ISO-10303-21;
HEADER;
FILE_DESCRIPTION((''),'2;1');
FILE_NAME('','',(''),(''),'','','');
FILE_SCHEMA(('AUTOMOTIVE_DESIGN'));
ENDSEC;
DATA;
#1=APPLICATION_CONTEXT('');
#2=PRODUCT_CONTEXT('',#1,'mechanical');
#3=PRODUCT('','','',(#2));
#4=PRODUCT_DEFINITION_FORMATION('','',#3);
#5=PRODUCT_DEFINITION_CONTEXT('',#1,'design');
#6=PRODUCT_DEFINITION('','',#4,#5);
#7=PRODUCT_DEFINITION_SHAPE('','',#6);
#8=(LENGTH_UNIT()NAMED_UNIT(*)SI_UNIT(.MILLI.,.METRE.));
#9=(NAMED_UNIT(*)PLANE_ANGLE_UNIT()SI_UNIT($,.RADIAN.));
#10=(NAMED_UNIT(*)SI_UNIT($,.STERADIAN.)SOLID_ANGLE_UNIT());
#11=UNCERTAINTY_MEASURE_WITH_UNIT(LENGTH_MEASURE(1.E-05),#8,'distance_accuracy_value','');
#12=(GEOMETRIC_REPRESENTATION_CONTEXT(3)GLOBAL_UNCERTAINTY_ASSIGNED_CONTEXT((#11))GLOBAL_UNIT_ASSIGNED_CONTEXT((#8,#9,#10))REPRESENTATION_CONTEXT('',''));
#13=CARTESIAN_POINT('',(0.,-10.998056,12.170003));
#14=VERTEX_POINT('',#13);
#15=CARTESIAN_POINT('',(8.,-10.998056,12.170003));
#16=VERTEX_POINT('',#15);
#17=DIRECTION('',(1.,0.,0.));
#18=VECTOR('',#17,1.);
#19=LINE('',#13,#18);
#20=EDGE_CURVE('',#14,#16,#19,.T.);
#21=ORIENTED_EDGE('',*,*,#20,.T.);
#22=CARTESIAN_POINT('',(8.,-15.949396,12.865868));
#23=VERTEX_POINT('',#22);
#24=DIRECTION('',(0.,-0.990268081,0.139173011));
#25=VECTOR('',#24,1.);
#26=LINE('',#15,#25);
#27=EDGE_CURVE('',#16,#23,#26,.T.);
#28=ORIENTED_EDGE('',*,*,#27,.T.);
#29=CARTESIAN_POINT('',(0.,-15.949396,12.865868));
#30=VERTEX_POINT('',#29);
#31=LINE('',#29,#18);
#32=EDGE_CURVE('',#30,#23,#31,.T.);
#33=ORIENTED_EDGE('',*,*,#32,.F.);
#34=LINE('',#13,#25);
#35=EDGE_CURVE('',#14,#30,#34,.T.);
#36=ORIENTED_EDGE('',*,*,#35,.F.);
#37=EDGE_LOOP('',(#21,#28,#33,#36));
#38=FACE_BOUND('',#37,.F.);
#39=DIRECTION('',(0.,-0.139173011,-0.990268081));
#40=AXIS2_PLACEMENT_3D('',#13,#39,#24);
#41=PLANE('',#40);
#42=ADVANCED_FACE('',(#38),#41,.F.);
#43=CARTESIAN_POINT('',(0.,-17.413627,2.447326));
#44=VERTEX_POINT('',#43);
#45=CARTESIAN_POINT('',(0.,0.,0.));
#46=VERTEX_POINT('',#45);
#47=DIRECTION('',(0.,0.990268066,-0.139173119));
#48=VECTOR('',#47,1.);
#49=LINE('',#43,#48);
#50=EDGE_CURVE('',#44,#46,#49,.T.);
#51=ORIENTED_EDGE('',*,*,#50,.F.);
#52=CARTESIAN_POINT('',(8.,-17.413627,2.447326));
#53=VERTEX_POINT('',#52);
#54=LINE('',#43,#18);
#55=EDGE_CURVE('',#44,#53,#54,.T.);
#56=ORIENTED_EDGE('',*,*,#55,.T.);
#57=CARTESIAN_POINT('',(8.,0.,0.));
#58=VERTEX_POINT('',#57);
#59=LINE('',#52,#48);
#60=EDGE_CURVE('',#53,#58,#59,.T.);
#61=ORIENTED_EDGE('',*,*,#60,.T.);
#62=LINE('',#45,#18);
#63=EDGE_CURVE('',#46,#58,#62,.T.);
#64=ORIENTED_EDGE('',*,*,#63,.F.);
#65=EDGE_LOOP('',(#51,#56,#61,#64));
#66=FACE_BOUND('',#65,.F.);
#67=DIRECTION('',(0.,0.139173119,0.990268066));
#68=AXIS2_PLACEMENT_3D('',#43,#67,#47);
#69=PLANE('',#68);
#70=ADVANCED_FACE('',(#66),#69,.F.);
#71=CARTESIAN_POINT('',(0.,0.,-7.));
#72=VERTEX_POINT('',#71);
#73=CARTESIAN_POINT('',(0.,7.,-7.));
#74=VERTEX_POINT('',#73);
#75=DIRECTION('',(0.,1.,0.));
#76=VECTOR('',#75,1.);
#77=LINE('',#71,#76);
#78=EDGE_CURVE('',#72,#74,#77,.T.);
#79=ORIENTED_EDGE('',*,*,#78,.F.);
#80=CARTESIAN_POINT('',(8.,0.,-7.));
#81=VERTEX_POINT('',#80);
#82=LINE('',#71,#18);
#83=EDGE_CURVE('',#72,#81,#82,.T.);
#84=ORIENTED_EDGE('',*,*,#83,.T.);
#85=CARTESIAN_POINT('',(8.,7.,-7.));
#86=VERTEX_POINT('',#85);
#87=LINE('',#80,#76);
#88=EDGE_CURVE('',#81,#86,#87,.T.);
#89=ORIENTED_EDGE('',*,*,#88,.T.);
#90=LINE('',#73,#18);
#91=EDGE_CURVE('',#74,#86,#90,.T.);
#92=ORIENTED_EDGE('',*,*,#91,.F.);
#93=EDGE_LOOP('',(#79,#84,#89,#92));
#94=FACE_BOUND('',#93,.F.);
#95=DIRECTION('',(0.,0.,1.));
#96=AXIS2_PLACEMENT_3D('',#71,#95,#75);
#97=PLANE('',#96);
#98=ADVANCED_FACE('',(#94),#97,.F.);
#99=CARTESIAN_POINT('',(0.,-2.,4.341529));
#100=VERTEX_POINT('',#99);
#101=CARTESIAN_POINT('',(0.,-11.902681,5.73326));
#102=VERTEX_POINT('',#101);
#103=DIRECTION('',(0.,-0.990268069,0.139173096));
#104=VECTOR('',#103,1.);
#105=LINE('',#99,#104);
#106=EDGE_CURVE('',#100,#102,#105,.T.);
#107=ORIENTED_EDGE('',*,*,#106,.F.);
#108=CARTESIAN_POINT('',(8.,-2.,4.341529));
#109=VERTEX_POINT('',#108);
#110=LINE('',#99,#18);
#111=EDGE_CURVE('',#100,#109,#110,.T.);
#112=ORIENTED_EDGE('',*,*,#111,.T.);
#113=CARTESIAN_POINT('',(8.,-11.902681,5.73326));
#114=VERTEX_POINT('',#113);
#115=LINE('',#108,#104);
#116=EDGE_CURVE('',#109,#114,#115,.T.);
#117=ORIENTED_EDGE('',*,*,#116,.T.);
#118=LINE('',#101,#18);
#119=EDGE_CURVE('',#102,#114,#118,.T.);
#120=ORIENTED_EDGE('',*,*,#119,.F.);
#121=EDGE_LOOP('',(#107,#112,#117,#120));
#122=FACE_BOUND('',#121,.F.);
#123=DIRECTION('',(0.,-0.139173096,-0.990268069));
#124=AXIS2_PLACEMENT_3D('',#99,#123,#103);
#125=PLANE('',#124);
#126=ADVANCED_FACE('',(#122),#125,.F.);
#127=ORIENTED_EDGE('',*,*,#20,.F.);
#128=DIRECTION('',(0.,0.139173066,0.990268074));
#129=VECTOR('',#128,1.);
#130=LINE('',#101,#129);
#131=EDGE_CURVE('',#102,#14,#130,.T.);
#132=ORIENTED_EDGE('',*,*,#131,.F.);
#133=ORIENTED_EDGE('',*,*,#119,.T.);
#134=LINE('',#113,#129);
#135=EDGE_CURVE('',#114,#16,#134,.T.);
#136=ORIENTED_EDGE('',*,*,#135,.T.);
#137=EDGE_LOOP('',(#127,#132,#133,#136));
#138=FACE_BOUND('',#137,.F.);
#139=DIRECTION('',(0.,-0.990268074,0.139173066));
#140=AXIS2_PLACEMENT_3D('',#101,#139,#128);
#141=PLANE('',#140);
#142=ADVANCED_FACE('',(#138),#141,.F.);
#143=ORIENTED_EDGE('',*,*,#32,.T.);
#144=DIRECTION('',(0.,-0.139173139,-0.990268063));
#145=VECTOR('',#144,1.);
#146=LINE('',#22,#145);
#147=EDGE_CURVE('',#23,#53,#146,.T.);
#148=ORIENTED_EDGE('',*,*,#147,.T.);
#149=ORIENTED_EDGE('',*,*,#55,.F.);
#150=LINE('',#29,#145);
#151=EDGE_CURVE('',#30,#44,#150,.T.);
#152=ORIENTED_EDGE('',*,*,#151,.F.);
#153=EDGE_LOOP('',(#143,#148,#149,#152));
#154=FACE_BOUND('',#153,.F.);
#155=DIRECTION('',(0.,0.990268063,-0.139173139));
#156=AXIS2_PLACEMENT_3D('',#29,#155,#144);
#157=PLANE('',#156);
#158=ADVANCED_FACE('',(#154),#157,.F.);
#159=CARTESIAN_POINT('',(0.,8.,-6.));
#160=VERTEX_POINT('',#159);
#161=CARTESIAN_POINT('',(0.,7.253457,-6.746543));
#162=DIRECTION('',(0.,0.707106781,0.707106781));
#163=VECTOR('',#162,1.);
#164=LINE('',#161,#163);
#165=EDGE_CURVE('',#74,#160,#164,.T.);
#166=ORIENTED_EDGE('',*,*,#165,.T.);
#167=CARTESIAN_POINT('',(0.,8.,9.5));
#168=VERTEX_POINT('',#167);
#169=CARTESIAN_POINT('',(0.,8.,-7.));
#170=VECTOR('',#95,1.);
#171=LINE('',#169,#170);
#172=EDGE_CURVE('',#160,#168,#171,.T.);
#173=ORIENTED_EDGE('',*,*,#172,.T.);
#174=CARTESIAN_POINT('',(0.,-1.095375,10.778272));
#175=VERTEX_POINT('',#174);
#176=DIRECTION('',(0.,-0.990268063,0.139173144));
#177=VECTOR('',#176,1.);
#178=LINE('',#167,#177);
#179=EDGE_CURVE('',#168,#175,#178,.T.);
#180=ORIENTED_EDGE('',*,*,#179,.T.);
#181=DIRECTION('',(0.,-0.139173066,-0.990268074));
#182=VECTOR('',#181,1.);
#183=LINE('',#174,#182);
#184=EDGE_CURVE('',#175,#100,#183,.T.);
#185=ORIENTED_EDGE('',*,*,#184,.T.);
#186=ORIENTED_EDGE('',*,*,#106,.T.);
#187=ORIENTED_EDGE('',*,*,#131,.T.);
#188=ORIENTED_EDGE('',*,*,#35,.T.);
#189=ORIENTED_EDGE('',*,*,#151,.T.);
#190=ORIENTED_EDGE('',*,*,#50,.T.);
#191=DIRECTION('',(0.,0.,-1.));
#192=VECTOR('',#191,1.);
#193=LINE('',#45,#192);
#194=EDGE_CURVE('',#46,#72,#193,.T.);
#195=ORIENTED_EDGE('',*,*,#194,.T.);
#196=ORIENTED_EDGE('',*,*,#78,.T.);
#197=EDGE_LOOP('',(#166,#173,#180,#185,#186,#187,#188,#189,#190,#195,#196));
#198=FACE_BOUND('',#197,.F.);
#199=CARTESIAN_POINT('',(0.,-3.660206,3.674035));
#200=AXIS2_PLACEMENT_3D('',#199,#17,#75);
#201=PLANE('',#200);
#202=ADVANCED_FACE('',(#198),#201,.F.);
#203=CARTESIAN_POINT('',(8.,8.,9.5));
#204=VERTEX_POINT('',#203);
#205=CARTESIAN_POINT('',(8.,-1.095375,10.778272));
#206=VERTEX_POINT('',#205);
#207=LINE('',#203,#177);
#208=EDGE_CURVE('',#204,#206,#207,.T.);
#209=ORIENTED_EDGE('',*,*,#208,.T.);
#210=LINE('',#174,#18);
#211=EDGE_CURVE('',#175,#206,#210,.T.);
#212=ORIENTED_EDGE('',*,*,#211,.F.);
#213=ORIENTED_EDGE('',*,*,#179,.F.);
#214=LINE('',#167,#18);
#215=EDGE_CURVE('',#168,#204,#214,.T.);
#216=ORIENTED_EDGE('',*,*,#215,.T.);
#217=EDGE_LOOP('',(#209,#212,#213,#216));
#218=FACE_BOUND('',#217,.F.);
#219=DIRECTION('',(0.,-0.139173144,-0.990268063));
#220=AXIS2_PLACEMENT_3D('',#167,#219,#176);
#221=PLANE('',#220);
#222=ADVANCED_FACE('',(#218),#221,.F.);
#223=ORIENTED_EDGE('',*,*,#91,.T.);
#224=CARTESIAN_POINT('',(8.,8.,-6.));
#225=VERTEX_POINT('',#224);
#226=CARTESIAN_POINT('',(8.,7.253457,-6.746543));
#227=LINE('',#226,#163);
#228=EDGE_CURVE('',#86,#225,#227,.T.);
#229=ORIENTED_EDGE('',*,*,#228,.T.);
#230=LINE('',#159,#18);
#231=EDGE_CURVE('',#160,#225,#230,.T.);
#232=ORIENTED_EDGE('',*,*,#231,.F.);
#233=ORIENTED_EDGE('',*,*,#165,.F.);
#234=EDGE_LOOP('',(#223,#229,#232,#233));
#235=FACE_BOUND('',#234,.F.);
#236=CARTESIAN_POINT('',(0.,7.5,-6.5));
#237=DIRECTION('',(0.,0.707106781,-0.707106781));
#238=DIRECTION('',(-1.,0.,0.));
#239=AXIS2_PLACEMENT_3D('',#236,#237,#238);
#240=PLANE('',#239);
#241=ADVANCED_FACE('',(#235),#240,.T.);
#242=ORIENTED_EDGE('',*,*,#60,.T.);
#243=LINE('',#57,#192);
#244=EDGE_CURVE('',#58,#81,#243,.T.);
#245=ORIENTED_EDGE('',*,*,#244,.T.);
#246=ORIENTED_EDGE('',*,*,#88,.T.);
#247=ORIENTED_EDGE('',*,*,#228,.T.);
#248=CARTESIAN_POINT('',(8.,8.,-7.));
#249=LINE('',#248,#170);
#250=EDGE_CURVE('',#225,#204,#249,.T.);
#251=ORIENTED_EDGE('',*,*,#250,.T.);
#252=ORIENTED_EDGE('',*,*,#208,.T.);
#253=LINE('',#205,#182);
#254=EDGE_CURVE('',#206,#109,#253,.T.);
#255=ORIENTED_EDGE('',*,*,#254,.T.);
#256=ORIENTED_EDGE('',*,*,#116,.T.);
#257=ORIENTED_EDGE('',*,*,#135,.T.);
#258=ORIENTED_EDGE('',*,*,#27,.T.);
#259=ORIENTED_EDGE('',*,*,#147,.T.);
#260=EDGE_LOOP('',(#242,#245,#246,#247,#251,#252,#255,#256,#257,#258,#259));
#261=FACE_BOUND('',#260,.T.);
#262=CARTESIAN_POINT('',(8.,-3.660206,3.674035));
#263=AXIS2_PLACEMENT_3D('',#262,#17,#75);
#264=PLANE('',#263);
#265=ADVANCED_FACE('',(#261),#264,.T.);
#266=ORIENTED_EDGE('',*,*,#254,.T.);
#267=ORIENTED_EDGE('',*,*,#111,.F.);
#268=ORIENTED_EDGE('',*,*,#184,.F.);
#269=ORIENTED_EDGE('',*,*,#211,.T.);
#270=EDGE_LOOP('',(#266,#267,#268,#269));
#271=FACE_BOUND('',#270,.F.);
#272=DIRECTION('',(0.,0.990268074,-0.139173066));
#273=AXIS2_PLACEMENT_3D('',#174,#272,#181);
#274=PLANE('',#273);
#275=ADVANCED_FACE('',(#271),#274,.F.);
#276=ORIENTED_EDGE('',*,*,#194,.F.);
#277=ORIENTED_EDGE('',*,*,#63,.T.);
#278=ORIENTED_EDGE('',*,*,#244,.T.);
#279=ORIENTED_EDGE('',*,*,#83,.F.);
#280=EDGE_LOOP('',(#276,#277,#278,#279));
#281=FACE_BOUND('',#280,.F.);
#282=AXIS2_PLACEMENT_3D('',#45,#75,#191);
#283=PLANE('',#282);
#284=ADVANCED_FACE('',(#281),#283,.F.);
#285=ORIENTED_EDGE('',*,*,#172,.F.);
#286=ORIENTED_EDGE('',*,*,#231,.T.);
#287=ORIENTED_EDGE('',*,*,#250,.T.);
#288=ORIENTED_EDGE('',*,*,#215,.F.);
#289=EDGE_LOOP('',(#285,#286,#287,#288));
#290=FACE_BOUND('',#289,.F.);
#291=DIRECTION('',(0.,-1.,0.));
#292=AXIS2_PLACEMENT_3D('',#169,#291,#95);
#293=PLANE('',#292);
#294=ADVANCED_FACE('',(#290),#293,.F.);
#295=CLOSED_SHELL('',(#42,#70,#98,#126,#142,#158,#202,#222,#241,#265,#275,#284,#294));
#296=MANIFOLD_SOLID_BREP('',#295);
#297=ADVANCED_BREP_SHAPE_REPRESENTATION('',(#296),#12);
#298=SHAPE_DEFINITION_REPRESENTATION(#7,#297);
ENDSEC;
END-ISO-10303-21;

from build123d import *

# Parameters (mm, degrees)
F1_DEPTH = 8
F2_SIZE  = 1


with BuildPart() as f1:
    # F0 (on Right) → F1 (new body)
    with BuildSketch(Plane.YZ):
        Polygon((-17.413627, 2.447326), (0, 0), (0, -7), (8, -7), (8, 9.5), (-1.095375, 10.778272), (-2, 4.341529), (-11.902681, 5.73326), (-10.998056, 12.170003), (-15.949396, 12.865868), align=None)
    extrude(amount=F1_DEPTH)

    # F2
    f2_edges = [f1.edges().sort_by_distance(p)[0] for p in [
        (4, 8, -7),
    ]]
    chamfer(f2_edges, length=F2_SIZE)


solid = f1.part
